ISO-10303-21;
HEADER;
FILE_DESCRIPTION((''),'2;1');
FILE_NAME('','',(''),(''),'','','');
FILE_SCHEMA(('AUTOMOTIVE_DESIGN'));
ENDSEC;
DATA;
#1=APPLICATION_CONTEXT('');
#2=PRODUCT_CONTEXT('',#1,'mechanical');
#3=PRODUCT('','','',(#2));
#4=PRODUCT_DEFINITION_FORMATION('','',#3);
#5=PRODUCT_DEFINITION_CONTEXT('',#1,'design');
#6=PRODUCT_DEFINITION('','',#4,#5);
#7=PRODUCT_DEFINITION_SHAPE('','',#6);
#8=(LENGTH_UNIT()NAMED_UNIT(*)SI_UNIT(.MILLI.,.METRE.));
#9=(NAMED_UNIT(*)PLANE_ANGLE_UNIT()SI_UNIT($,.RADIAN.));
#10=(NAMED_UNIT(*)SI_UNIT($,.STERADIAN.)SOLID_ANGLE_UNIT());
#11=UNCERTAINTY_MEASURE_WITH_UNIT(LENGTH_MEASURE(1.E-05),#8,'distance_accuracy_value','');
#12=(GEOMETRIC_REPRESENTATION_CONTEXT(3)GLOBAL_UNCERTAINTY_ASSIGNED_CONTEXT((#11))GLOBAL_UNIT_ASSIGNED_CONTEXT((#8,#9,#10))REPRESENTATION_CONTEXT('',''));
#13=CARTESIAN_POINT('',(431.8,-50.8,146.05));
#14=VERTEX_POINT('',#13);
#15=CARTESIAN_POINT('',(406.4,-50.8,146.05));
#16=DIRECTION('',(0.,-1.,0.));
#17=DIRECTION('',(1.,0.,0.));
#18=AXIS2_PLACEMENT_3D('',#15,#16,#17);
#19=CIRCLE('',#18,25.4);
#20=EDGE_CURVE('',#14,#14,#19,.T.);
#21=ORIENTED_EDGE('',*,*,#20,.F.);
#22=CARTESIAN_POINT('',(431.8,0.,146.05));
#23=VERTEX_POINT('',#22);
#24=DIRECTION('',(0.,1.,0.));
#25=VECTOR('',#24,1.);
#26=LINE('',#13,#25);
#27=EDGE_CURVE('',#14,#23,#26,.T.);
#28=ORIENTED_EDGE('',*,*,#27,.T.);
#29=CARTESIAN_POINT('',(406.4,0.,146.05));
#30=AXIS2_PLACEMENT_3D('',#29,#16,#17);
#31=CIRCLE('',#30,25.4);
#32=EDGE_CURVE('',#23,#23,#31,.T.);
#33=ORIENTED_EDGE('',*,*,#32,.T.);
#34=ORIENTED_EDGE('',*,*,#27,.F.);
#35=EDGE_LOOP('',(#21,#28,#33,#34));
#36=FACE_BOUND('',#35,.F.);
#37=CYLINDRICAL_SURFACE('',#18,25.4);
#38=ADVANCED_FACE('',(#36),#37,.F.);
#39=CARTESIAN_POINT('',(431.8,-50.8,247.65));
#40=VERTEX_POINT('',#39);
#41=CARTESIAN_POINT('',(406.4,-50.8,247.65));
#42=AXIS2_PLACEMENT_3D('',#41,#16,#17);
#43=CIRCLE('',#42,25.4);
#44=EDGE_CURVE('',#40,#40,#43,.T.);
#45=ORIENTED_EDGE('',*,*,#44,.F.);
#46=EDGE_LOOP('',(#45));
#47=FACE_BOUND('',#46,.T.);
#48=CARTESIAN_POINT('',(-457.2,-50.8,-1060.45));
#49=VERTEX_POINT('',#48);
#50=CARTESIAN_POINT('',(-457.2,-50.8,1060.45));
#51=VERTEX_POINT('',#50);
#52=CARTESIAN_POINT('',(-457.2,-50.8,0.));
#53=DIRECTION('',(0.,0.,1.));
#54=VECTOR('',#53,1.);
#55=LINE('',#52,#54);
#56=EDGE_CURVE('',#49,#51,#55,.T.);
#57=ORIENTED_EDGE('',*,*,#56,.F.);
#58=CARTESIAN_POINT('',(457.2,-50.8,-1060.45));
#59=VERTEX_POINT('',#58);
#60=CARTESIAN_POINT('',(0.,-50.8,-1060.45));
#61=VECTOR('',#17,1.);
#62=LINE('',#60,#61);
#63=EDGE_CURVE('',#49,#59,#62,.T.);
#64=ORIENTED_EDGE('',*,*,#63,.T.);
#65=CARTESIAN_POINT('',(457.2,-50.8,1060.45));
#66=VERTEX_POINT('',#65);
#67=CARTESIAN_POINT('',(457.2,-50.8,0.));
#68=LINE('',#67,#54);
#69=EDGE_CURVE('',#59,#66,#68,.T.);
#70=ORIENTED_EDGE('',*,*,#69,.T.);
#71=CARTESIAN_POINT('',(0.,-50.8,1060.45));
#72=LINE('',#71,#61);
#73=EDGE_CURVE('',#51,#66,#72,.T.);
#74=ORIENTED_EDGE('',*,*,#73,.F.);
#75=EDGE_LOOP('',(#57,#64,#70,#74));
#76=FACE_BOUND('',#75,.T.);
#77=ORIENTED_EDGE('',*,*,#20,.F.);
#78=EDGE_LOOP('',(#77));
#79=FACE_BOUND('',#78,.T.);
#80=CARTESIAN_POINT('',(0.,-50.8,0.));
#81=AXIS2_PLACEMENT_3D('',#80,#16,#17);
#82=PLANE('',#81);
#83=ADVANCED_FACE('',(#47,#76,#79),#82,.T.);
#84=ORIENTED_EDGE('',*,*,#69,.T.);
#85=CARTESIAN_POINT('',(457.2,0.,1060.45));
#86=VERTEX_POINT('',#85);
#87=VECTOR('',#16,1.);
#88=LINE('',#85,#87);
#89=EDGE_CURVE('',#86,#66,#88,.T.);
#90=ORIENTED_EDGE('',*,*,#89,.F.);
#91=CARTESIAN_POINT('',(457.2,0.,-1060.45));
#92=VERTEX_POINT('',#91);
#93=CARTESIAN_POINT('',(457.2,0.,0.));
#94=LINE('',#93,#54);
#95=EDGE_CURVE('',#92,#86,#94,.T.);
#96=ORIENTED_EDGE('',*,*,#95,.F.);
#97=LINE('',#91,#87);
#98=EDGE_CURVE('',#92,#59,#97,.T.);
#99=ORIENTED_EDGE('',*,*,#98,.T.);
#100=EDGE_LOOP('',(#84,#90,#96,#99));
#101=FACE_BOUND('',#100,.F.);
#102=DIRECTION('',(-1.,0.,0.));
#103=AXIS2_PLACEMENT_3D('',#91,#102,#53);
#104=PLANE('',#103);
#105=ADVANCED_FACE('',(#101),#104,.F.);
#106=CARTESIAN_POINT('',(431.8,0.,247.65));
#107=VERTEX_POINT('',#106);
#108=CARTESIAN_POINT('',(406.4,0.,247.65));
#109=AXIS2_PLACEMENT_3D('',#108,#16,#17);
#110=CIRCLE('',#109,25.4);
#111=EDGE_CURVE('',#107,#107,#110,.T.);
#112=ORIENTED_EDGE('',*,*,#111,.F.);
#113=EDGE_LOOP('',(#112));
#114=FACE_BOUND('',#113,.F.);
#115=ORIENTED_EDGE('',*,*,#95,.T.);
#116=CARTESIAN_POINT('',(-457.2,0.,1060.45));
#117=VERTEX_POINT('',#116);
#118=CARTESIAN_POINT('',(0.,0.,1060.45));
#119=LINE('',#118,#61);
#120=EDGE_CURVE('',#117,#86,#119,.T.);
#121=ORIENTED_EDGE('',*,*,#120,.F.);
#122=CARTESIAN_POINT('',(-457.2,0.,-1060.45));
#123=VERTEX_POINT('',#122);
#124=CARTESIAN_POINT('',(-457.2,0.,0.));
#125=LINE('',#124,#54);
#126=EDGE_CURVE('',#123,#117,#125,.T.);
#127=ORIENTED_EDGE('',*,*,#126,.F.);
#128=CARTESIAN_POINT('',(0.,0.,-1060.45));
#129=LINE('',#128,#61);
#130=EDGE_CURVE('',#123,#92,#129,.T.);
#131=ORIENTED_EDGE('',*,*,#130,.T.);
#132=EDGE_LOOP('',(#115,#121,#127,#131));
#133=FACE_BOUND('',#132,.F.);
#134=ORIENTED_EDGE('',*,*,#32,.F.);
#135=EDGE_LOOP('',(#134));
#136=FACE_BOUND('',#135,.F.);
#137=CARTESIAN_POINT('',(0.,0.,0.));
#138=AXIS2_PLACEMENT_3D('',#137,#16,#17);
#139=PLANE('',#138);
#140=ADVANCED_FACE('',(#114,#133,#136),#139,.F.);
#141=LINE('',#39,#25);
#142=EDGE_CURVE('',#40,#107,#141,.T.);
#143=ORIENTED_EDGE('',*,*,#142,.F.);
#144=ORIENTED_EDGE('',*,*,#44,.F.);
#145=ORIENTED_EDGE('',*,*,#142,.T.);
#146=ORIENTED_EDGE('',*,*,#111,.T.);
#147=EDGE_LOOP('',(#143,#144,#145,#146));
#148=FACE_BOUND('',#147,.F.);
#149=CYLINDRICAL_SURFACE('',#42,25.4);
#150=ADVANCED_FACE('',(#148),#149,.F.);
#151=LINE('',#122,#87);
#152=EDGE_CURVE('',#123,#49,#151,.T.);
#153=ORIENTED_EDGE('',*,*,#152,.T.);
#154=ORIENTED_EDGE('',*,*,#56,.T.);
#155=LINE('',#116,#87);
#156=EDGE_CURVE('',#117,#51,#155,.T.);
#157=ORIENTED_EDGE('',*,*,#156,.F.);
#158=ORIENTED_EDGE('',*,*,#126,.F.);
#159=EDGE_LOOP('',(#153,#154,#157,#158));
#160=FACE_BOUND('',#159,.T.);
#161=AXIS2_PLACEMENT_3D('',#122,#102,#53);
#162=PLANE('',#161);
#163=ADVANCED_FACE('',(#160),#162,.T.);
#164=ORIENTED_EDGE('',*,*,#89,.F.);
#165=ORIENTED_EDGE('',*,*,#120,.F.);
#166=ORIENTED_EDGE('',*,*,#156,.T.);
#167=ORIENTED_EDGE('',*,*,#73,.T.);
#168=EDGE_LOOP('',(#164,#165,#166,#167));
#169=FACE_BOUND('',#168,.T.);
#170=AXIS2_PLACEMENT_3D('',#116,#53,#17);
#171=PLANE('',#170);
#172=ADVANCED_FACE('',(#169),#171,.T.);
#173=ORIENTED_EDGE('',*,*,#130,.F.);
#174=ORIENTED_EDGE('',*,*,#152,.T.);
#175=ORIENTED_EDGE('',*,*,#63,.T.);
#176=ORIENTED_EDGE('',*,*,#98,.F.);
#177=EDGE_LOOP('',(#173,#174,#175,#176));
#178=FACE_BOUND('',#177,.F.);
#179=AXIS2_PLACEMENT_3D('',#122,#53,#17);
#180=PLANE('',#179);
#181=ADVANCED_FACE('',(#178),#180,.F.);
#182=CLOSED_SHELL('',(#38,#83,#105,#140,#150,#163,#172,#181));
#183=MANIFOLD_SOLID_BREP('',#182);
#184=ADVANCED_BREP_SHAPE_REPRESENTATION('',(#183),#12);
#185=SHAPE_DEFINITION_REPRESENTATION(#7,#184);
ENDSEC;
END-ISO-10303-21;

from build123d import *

# Parameters (mm, degrees)
F0_W     = 914.4
F0_H     = 2120.9
F1_DEPTH = 50.8
F2_R     = 25.4
F3_DEPTH = 50.801


with BuildPart() as f1:
    # F0 (on Front) → F1 (new body)
    with BuildSketch(Plane.XZ):
        Rectangle(F0_W, F0_H)
    extrude(amount=F1_DEPTH)

    # F2 (on face) → F3 (cut, through all)
    with BuildSketch(Plane.XZ.offset(50.8)):
        with Locations((406.4, 247.65)):
            Circle(F2_R)
        with Locations((406.4, 146.05)):
            Circle(F2_R)
    extrude(amount=-F3_DEPTH, mode=Mode.SUBTRACT)


solid = f1.part
